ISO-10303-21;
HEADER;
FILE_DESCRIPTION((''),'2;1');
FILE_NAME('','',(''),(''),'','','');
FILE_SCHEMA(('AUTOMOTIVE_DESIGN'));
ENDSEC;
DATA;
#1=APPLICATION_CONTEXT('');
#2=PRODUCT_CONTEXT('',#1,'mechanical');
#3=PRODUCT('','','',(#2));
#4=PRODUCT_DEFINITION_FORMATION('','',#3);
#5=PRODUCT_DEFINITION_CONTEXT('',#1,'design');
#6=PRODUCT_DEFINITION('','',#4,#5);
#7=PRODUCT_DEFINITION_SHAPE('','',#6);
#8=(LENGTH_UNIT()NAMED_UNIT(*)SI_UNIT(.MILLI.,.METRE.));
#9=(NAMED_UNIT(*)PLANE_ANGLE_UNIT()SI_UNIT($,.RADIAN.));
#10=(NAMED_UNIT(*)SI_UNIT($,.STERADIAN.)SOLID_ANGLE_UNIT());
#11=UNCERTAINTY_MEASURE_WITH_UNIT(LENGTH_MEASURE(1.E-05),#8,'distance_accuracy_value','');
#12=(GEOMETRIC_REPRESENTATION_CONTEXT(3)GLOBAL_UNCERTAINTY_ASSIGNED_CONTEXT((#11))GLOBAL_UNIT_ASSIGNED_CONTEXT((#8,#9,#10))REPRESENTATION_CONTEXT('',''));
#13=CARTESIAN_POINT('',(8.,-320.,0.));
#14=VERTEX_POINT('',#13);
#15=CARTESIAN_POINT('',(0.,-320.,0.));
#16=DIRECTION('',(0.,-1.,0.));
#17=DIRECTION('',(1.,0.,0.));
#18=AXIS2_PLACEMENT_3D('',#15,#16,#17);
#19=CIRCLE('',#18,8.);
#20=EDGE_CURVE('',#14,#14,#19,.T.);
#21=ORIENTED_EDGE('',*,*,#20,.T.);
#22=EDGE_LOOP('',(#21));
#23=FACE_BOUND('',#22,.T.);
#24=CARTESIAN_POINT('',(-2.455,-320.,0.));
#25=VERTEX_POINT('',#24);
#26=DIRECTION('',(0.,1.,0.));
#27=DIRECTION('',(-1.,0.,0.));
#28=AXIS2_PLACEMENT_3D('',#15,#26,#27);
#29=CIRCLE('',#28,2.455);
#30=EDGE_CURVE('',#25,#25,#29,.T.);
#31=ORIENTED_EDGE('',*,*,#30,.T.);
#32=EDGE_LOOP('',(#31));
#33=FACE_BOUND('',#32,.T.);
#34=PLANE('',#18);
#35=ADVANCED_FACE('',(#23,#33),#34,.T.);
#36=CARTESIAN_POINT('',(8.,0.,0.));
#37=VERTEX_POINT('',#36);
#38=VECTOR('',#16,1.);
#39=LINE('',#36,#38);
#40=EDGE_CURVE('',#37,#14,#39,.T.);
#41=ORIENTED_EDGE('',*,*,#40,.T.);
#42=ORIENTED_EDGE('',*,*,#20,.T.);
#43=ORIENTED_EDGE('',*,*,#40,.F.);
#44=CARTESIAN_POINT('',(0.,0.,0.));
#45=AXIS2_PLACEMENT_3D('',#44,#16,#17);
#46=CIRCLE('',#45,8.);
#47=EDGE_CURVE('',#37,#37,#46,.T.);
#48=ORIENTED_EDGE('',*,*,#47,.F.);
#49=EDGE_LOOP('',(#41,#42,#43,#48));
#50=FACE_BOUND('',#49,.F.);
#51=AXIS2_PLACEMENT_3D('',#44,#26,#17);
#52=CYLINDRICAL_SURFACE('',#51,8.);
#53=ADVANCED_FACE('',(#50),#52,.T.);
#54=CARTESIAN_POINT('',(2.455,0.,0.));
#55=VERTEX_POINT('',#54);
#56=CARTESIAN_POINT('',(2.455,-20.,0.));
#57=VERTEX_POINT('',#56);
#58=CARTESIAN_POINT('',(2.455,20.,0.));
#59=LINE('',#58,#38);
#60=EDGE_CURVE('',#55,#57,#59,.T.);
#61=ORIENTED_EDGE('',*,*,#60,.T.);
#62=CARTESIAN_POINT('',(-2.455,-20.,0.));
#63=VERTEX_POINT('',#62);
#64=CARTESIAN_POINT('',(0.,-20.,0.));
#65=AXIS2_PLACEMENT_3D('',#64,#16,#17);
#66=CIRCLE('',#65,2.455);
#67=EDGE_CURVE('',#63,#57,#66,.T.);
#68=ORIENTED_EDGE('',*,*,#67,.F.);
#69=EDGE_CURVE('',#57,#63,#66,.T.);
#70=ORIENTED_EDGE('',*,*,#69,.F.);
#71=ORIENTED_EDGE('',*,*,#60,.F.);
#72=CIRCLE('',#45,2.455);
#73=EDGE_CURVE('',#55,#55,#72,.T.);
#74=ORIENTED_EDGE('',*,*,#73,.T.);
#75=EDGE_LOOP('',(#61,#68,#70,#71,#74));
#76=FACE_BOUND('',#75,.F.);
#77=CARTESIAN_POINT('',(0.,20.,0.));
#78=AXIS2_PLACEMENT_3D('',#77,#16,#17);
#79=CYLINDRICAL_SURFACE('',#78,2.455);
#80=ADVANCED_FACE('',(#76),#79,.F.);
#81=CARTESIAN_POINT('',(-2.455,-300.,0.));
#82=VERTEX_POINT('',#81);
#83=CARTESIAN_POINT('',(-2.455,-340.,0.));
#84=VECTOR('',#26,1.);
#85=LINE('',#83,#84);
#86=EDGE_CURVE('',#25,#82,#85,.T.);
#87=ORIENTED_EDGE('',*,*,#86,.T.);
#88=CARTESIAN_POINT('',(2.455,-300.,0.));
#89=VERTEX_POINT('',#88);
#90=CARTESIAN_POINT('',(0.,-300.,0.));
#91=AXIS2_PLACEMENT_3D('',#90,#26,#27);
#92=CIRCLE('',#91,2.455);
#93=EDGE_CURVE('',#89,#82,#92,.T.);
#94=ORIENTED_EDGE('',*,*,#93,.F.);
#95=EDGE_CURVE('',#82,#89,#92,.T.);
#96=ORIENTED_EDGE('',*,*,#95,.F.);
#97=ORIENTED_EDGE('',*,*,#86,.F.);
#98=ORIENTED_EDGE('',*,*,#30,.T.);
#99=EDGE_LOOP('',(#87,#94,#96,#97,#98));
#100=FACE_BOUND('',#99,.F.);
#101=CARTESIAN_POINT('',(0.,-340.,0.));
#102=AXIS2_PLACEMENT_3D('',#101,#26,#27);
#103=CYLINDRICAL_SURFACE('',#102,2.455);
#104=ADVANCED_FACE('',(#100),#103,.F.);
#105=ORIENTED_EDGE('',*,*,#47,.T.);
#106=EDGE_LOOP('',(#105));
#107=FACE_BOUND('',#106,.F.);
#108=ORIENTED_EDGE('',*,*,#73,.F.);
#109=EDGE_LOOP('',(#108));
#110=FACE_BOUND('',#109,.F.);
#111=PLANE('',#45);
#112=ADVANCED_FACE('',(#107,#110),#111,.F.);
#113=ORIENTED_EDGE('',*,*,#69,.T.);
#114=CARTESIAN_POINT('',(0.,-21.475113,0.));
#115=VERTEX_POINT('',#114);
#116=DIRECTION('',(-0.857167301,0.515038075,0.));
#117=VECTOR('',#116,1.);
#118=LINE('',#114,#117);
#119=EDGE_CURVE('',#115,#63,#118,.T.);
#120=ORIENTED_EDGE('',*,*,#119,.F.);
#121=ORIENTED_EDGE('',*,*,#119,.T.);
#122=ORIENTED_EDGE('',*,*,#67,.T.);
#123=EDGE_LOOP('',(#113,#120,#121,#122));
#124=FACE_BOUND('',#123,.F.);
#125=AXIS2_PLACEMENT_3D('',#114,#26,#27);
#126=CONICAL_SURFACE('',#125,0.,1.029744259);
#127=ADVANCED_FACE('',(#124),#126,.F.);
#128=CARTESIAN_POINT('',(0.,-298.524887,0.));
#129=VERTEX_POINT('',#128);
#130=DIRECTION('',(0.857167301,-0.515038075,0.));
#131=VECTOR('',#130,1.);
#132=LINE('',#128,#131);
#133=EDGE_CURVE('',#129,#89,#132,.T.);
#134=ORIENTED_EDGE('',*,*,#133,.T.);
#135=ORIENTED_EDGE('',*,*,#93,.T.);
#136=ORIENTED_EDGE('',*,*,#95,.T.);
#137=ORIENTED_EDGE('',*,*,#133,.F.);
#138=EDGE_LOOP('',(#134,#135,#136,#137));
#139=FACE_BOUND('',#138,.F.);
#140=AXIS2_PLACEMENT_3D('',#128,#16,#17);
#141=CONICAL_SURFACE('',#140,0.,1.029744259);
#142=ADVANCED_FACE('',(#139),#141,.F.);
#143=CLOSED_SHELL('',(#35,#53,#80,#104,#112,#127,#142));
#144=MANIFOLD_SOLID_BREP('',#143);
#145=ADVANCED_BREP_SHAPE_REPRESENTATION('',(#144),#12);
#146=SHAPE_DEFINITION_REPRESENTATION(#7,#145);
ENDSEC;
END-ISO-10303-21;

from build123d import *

# Parameters (mm, degrees)
F0_R     = 8
F0_R_2   = 2.455
F1_DEPTH = 320
F4_D     = 4.91
F4_DEPTH = 20
F4_TIP   = 1.4751128197
F5_D     = 4.91
F5_DEPTH = 20
F5_TIP   = 1.4751128197


with BuildPart() as f1:
    # F0 (on Front) → F1 (new body)
    with BuildSketch(Plane.XZ):
        Circle(F0_R)
        Circle(F0_R_2, mode=Mode.SUBTRACT)
        Circle(F0_R_2)
    extrude(amount=F1_DEPTH)

    # F4
    with Locations(Plane.XZ.offset(320)):
        with Locations((0, 0)):
            Hole(F4_D / 2, depth=F4_DEPTH)
            with Locations((0, 0, -(F4_DEPTH + F4_TIP / 2))):  # 118° drill point
                Cone(0, F4_D / 2, F4_TIP, mode=Mode.SUBTRACT)

    # F5
    with Locations(Plane(origin=(0, 0, 0), x_dir=(-1, 0, 0), z_dir=(0, 1, 0))):
        with Locations((0, 0)):
            Hole(F5_D / 2, depth=F5_DEPTH)
            with Locations((0, 0, -(F5_DEPTH + F5_TIP / 2))):  # 118° drill point
                Cone(0, F5_D / 2, F5_TIP, mode=Mode.SUBTRACT)


solid = f1.part
